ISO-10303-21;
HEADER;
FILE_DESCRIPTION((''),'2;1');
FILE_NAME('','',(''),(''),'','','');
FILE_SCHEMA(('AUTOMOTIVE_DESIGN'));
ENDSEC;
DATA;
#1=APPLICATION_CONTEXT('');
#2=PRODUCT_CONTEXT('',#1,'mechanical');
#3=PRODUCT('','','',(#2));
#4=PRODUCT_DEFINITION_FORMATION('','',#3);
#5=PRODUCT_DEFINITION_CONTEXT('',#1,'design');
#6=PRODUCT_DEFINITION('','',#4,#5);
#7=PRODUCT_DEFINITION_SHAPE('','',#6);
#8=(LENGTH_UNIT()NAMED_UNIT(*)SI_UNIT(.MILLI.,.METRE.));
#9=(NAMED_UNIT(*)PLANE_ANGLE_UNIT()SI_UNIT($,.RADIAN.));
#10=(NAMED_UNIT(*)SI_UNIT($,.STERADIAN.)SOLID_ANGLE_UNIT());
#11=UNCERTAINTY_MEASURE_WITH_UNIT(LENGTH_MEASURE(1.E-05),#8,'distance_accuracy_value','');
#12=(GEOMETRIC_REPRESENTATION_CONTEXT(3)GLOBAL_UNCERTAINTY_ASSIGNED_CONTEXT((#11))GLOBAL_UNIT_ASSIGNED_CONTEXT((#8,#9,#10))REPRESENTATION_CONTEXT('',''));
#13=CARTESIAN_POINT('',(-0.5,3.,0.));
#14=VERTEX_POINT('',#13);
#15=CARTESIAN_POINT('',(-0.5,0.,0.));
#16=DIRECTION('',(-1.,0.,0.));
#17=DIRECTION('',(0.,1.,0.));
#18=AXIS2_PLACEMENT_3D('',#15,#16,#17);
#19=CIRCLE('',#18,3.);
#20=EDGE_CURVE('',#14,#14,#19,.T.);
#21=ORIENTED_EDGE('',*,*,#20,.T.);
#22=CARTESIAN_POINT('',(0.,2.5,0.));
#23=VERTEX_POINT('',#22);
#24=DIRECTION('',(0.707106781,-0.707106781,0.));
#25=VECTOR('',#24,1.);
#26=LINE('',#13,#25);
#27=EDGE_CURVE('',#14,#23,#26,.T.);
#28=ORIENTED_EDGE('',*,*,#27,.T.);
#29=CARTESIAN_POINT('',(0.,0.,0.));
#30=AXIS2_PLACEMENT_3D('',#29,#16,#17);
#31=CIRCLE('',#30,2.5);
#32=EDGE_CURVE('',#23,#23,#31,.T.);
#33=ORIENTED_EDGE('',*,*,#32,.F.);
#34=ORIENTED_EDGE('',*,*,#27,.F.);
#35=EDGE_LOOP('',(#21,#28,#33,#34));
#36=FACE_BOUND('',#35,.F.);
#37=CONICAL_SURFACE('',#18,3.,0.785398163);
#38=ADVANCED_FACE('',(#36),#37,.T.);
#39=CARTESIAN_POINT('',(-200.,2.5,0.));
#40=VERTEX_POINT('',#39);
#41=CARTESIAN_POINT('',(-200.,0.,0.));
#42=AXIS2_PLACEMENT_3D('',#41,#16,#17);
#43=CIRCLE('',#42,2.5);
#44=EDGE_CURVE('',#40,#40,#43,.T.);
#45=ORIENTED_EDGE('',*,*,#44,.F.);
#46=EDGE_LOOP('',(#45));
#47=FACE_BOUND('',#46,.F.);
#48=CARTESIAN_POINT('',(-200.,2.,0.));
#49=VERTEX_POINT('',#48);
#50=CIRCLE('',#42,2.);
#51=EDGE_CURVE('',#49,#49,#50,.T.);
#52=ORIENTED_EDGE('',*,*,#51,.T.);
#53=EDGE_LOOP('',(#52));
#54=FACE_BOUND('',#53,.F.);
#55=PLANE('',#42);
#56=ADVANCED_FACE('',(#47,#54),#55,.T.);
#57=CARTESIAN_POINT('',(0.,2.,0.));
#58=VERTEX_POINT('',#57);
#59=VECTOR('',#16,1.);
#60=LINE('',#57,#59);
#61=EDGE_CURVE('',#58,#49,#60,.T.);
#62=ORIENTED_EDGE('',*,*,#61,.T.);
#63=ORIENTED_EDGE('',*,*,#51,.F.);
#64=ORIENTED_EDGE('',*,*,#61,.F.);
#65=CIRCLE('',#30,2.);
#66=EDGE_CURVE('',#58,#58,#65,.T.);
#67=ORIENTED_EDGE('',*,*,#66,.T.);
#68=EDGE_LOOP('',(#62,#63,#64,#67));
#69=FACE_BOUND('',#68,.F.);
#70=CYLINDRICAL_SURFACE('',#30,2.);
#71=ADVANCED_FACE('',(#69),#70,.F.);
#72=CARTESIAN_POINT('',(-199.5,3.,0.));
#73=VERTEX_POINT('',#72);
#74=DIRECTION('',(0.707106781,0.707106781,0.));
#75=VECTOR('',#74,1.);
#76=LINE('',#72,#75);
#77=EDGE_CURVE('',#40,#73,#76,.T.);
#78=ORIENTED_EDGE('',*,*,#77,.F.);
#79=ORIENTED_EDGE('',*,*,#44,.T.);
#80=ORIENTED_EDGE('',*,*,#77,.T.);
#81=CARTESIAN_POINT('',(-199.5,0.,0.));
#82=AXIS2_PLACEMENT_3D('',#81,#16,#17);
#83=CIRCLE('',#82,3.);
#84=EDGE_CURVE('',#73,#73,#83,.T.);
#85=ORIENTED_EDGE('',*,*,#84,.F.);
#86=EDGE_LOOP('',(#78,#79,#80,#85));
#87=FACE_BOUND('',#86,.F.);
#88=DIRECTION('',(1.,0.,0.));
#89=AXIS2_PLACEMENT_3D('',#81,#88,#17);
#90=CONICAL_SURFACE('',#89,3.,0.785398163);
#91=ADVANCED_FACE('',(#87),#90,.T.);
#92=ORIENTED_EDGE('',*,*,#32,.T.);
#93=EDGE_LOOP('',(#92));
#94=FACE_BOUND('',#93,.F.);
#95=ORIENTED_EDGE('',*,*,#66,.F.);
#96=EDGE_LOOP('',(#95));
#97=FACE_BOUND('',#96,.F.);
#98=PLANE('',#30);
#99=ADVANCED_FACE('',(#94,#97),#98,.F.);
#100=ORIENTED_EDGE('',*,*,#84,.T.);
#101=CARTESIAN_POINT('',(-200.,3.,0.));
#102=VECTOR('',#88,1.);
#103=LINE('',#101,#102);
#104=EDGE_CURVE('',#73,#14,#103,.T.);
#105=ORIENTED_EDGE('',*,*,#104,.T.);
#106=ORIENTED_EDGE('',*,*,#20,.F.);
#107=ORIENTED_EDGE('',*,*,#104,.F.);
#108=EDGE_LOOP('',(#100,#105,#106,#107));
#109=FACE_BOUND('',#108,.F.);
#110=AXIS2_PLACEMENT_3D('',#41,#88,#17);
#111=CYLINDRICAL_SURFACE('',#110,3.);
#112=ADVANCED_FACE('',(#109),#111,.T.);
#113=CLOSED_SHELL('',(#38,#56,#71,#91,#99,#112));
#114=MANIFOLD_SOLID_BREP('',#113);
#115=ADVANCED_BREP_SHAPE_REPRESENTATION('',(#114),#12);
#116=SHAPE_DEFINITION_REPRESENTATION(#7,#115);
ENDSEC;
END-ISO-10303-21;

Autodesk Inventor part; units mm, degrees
ref_plane "YZ Plane" through (0, 0, 0) normal (1, 0, 0) x (0, 1, 0)
ref_plane "XZ Plane" through (0, 0, 0) normal (0, 1, 0) x (-1, 0, 0)
ref_plane "XY Plane" through (0, 0, 0) normal (0, 0, 1) x (1, 0, 0)
sketch "Sketch1" plane through (0, 0, 0) normal (0, 0, 1) x (1, 0, 0)
  line L0 (0, 2) -> (-200, 2)
  line L1 (-200, 2) -> (-200, 3)
  line L2 (-200, 3) -> (0, 3)
  line L3 (0, 3) -> (0, 2)
  line L4 (0, 2) -> (0, 0) construction
  line L5 (0, 0) -> (-200, 0) construction
  line L6 (-200, 0) -> (-200, 2) construction
  dimension "d0" = 2
  dimension "d1" = 3
  dimension "d2" = 200
revolve "Revolution1" add sketch "Sketch1" angle 360 about axis through (0, 0, 0) along (-1, 0, 0)
chamfer "Chamfer1" distance 0.5 angle 45 2 edges at (0, -3, 0) (-200, -3, 0)
properties part number "CF Tube 6x4x200"
